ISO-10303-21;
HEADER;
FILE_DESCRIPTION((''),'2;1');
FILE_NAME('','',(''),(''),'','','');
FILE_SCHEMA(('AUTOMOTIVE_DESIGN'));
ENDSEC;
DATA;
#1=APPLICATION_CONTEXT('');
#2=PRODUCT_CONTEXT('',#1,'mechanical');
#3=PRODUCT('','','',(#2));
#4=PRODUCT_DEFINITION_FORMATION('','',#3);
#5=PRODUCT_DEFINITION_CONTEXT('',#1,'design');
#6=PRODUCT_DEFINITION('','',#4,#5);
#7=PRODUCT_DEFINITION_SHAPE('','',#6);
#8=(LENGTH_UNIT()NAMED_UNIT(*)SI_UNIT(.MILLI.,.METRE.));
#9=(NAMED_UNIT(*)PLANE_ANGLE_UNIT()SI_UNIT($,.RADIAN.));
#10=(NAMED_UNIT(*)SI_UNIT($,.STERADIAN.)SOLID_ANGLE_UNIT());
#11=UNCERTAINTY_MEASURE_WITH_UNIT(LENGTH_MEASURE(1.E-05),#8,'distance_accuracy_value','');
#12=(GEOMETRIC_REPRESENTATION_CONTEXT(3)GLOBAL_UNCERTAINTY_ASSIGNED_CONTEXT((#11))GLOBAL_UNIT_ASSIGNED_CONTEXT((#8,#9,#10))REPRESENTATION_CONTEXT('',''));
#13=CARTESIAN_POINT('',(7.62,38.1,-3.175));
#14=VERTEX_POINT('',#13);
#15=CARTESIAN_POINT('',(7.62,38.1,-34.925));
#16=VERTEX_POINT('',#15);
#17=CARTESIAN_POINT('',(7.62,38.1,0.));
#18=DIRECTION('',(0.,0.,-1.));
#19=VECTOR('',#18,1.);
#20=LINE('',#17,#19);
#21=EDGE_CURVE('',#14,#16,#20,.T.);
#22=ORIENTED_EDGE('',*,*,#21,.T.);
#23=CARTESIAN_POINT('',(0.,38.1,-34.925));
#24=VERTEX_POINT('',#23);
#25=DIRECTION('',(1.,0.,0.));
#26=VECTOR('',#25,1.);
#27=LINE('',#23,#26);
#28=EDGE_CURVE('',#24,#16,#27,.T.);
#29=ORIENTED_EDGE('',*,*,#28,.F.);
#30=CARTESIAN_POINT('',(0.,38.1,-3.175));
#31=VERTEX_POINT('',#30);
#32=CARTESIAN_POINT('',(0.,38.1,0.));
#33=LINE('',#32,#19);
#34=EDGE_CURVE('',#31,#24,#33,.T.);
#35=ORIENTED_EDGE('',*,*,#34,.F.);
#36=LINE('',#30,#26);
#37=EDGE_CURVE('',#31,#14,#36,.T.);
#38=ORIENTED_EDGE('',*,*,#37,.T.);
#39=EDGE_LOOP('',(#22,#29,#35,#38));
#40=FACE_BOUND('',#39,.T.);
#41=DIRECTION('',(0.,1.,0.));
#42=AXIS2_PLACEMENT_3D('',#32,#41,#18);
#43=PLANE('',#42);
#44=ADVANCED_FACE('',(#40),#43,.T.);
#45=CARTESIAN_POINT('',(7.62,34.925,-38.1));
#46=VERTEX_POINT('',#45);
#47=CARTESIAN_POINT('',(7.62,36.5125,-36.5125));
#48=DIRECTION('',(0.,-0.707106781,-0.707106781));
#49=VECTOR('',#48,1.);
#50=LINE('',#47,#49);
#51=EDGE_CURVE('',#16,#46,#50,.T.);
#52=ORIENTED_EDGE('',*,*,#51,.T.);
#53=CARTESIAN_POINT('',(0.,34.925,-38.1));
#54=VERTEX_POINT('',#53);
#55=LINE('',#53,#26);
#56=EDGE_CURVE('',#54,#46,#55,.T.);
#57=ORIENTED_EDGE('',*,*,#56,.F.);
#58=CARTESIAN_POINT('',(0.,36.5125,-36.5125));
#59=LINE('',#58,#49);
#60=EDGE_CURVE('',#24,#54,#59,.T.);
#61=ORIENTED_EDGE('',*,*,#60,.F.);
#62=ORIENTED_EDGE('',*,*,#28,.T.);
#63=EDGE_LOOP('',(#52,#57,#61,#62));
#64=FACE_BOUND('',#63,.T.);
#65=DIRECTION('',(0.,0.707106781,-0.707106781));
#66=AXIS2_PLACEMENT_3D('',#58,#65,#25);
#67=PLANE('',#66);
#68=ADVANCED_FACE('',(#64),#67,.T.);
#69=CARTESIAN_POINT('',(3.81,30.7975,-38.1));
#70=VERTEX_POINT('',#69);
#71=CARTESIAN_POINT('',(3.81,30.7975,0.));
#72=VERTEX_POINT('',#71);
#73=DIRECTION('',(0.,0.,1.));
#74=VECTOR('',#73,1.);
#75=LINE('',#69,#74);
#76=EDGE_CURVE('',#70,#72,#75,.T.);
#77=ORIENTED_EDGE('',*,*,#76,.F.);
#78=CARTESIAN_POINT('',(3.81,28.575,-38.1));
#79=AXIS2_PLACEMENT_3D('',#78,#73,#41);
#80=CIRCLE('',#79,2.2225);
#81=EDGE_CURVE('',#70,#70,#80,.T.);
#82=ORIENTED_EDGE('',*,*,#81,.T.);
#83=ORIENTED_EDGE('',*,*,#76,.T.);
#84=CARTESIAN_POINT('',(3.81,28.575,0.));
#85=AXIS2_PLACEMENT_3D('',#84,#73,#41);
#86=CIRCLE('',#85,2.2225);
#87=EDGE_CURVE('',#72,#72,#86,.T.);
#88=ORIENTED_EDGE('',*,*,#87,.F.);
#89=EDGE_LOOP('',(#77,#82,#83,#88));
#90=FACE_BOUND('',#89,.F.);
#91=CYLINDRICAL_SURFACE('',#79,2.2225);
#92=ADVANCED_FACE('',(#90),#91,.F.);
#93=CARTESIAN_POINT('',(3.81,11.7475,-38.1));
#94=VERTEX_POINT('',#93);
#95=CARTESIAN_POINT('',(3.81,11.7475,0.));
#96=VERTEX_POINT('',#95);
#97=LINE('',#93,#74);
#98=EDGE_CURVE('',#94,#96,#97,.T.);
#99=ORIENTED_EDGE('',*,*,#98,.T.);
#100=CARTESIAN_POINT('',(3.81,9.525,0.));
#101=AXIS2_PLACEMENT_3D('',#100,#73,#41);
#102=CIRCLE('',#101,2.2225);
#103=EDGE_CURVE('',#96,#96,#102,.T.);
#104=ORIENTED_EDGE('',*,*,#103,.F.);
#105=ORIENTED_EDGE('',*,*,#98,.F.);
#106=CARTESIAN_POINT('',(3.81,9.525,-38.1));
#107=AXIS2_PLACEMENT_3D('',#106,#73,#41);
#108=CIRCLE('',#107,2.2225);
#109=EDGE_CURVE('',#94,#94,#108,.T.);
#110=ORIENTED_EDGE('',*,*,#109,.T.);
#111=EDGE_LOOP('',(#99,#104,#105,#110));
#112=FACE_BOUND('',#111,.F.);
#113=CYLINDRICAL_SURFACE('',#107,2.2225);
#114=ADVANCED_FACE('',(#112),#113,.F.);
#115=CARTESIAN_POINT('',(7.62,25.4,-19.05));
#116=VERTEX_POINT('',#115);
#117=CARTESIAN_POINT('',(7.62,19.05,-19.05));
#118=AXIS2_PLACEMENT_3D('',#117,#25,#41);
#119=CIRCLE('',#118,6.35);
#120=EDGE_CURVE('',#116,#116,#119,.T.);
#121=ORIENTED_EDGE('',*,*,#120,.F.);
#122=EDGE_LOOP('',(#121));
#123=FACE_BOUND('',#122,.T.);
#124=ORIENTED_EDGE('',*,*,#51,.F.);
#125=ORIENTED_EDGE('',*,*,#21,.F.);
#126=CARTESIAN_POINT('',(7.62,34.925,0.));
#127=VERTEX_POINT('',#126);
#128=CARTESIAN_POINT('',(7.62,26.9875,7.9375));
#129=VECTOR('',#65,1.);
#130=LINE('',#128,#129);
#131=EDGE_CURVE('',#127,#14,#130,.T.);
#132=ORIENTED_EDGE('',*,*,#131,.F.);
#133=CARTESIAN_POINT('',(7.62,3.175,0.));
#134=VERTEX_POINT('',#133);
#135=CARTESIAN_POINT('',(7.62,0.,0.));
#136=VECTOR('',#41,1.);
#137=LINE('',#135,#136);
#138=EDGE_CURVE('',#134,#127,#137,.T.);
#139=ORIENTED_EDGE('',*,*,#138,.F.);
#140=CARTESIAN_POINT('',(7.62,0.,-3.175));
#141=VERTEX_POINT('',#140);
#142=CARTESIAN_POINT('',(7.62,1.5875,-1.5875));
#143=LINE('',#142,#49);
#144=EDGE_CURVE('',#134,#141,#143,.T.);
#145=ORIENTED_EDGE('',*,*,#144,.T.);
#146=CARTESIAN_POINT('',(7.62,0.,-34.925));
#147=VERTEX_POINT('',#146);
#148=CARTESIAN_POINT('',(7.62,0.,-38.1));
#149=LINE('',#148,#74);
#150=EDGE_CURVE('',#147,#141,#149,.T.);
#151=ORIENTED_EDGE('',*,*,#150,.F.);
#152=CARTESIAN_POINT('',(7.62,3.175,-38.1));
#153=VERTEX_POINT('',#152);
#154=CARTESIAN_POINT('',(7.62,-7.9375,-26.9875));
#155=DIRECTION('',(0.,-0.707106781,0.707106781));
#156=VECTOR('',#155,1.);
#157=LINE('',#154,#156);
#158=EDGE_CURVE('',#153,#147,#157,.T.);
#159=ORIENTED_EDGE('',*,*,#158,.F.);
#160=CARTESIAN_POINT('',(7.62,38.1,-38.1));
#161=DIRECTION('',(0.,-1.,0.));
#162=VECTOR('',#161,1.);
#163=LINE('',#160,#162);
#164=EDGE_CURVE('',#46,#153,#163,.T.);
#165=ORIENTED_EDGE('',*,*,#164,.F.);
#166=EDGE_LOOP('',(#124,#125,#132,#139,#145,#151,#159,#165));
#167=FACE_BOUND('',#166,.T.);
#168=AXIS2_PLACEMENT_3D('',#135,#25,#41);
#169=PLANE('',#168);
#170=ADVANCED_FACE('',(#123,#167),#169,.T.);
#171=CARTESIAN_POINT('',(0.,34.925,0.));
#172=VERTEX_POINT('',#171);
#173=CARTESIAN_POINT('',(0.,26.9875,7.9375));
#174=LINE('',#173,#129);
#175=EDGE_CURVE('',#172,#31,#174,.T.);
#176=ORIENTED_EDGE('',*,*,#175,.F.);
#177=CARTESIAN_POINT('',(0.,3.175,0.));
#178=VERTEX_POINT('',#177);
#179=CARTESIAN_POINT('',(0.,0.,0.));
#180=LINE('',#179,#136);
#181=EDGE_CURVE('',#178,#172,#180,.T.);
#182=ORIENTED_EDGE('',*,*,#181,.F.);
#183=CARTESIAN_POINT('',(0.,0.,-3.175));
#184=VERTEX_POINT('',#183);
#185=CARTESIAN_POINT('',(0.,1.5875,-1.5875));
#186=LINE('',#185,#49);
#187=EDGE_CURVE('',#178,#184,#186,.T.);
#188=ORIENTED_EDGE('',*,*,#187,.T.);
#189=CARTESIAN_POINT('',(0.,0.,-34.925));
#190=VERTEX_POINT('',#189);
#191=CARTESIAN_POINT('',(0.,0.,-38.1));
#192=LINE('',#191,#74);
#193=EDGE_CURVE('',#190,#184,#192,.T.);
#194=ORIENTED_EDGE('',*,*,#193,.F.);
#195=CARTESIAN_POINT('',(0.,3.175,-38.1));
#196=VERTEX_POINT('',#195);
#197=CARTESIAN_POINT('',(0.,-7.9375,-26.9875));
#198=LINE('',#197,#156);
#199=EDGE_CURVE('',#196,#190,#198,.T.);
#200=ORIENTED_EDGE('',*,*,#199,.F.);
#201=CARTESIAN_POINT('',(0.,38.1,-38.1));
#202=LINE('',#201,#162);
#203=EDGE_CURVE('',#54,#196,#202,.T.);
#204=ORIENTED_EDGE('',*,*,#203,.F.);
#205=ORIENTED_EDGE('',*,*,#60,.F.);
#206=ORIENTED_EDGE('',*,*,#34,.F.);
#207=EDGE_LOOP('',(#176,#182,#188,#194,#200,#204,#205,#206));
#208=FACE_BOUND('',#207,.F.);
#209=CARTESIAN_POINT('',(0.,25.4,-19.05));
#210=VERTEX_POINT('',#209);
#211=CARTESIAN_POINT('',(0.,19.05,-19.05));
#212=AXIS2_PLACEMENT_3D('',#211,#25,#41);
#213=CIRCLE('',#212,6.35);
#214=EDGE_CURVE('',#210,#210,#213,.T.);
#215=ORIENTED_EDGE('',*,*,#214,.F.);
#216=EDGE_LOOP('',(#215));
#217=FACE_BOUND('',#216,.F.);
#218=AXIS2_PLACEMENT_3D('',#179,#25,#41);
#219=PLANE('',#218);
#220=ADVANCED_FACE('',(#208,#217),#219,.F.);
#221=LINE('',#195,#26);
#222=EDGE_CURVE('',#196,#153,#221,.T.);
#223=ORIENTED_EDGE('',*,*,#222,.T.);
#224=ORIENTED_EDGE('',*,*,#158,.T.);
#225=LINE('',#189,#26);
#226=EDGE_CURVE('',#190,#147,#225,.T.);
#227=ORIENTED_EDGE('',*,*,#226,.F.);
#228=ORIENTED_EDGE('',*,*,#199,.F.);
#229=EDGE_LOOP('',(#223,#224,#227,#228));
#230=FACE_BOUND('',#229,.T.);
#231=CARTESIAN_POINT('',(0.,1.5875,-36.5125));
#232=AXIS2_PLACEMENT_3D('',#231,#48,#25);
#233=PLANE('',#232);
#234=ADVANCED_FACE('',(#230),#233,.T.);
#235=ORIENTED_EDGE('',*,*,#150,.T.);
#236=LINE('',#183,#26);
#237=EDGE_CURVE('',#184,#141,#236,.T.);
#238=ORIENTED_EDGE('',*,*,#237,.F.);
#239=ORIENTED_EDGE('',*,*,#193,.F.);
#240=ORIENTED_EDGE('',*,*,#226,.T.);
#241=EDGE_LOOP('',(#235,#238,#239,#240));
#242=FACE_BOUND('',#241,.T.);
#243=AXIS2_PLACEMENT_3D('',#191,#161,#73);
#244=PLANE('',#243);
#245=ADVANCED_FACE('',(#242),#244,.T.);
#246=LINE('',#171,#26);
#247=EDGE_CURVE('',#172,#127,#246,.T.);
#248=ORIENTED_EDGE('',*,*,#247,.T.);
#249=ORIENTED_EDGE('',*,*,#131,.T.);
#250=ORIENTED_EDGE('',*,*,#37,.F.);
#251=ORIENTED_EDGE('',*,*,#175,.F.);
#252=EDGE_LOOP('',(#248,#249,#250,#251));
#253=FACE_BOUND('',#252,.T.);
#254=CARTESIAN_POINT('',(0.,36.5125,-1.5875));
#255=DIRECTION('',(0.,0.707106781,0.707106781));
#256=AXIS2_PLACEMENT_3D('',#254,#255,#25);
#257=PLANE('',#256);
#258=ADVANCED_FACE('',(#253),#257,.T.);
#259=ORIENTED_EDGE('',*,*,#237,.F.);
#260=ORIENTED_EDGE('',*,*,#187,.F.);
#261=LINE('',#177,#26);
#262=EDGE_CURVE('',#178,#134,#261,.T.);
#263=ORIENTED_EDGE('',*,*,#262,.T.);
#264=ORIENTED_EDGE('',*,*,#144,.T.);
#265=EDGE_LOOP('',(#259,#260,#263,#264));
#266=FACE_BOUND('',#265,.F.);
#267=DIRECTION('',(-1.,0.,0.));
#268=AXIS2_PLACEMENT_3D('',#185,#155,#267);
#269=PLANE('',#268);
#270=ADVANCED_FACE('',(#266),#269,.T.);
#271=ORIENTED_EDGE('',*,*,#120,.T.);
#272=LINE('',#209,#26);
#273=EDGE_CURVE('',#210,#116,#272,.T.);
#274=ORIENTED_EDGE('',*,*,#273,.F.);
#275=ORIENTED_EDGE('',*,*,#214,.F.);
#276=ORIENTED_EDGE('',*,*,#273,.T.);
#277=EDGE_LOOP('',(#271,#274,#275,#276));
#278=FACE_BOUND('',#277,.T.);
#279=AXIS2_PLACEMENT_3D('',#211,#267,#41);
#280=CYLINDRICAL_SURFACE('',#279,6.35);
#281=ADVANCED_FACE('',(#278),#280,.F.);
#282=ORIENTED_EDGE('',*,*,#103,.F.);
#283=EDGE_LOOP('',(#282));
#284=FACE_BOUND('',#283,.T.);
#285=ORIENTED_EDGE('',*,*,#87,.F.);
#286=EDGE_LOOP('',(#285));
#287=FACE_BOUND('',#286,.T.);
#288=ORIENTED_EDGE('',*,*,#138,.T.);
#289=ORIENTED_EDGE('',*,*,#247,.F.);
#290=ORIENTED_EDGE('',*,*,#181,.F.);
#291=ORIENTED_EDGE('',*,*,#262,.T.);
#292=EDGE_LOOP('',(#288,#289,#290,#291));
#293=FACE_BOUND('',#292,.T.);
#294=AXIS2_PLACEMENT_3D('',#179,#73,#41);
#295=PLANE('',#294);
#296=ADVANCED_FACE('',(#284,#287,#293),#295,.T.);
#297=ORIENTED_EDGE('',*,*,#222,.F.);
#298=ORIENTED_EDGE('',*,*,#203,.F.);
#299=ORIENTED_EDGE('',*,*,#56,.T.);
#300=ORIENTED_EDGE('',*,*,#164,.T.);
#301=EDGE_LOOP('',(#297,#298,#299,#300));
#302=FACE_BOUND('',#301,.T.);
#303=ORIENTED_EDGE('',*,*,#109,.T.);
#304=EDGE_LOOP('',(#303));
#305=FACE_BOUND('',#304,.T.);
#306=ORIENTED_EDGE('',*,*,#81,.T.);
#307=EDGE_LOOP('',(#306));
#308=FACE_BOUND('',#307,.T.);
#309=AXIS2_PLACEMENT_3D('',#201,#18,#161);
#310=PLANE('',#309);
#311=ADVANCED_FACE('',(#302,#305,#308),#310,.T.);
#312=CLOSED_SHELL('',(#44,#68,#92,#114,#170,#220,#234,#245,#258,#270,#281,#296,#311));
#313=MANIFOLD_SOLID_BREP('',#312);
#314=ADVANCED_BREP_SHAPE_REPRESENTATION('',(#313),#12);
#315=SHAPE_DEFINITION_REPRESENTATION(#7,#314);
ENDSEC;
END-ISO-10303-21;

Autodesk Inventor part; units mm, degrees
ref_plane "YZ Plane" through (0, 0, 0) normal (1, 0, 0) x (0, 1, 0)
ref_plane "XZ Plane" through (0, 0, 0) normal (0, 1, 0) x (-1, 0, 0)
ref_plane "XY Plane" through (0, 0, 0) normal (0, 0, 1) x (1, 0, 0)
sketch "Sketch1" plane through (0, 0, 0) normal (1, 0, 0) x (0, 1, 0)
  line L0 (0, 0) -> (38.1, 0)
  line L1 (38.1, 0) -> (38.1, -38.1)
  line L2 (38.1, -38.1) -> (0, -38.1)
  line L3 (0, -38.1) -> (0, 0)
  circle A0 centre (19.05, -19.05) radius 6.35
  dimension "d0" = 38.1
  dimension "d1" = 38.1
  dimension "d2" = 12.7
extrude "Extrusion1" add sketch "Sketch1" along normal blind 7.62
chamfer "Chamfer1" distance 3.175 angle 45 4 edges at (3.81, 38.1, 0) (3.81, 38.1, -38.1) (3.81, 0, 0) (3.81, 0, -38.1)
sketch "Sketch2" plane through (0, 3.175, -38.1) normal (0, 0, -1) x (-1, 0, 0)
  line L0 (0, 0) -> (-7.62, 0) projected
  line L1 (0, 31.75) -> (0, 0) projected
  line L2 (-7.62, 31.75) -> (0, 31.75) projected
  line L3 (-7.62, 0) -> (-7.62, 31.75) projected
  line L4 (-3.81, 15.875) -> (-3.81, 25.4)
  line L5 (-3.81, 25.4) -> (-3.81, 6.35)
  point P0 (0, -3.175)
  dimension "d10" = 9.525
  dimension "d11" = 19.05
hole "Hole1" at (3.81, 28.575, -38.1) at (3.81, 9.525, -38.1) direction (0, 0, 1) diameter 4.445 end through all
properties part number "1.5 in bearing block"
